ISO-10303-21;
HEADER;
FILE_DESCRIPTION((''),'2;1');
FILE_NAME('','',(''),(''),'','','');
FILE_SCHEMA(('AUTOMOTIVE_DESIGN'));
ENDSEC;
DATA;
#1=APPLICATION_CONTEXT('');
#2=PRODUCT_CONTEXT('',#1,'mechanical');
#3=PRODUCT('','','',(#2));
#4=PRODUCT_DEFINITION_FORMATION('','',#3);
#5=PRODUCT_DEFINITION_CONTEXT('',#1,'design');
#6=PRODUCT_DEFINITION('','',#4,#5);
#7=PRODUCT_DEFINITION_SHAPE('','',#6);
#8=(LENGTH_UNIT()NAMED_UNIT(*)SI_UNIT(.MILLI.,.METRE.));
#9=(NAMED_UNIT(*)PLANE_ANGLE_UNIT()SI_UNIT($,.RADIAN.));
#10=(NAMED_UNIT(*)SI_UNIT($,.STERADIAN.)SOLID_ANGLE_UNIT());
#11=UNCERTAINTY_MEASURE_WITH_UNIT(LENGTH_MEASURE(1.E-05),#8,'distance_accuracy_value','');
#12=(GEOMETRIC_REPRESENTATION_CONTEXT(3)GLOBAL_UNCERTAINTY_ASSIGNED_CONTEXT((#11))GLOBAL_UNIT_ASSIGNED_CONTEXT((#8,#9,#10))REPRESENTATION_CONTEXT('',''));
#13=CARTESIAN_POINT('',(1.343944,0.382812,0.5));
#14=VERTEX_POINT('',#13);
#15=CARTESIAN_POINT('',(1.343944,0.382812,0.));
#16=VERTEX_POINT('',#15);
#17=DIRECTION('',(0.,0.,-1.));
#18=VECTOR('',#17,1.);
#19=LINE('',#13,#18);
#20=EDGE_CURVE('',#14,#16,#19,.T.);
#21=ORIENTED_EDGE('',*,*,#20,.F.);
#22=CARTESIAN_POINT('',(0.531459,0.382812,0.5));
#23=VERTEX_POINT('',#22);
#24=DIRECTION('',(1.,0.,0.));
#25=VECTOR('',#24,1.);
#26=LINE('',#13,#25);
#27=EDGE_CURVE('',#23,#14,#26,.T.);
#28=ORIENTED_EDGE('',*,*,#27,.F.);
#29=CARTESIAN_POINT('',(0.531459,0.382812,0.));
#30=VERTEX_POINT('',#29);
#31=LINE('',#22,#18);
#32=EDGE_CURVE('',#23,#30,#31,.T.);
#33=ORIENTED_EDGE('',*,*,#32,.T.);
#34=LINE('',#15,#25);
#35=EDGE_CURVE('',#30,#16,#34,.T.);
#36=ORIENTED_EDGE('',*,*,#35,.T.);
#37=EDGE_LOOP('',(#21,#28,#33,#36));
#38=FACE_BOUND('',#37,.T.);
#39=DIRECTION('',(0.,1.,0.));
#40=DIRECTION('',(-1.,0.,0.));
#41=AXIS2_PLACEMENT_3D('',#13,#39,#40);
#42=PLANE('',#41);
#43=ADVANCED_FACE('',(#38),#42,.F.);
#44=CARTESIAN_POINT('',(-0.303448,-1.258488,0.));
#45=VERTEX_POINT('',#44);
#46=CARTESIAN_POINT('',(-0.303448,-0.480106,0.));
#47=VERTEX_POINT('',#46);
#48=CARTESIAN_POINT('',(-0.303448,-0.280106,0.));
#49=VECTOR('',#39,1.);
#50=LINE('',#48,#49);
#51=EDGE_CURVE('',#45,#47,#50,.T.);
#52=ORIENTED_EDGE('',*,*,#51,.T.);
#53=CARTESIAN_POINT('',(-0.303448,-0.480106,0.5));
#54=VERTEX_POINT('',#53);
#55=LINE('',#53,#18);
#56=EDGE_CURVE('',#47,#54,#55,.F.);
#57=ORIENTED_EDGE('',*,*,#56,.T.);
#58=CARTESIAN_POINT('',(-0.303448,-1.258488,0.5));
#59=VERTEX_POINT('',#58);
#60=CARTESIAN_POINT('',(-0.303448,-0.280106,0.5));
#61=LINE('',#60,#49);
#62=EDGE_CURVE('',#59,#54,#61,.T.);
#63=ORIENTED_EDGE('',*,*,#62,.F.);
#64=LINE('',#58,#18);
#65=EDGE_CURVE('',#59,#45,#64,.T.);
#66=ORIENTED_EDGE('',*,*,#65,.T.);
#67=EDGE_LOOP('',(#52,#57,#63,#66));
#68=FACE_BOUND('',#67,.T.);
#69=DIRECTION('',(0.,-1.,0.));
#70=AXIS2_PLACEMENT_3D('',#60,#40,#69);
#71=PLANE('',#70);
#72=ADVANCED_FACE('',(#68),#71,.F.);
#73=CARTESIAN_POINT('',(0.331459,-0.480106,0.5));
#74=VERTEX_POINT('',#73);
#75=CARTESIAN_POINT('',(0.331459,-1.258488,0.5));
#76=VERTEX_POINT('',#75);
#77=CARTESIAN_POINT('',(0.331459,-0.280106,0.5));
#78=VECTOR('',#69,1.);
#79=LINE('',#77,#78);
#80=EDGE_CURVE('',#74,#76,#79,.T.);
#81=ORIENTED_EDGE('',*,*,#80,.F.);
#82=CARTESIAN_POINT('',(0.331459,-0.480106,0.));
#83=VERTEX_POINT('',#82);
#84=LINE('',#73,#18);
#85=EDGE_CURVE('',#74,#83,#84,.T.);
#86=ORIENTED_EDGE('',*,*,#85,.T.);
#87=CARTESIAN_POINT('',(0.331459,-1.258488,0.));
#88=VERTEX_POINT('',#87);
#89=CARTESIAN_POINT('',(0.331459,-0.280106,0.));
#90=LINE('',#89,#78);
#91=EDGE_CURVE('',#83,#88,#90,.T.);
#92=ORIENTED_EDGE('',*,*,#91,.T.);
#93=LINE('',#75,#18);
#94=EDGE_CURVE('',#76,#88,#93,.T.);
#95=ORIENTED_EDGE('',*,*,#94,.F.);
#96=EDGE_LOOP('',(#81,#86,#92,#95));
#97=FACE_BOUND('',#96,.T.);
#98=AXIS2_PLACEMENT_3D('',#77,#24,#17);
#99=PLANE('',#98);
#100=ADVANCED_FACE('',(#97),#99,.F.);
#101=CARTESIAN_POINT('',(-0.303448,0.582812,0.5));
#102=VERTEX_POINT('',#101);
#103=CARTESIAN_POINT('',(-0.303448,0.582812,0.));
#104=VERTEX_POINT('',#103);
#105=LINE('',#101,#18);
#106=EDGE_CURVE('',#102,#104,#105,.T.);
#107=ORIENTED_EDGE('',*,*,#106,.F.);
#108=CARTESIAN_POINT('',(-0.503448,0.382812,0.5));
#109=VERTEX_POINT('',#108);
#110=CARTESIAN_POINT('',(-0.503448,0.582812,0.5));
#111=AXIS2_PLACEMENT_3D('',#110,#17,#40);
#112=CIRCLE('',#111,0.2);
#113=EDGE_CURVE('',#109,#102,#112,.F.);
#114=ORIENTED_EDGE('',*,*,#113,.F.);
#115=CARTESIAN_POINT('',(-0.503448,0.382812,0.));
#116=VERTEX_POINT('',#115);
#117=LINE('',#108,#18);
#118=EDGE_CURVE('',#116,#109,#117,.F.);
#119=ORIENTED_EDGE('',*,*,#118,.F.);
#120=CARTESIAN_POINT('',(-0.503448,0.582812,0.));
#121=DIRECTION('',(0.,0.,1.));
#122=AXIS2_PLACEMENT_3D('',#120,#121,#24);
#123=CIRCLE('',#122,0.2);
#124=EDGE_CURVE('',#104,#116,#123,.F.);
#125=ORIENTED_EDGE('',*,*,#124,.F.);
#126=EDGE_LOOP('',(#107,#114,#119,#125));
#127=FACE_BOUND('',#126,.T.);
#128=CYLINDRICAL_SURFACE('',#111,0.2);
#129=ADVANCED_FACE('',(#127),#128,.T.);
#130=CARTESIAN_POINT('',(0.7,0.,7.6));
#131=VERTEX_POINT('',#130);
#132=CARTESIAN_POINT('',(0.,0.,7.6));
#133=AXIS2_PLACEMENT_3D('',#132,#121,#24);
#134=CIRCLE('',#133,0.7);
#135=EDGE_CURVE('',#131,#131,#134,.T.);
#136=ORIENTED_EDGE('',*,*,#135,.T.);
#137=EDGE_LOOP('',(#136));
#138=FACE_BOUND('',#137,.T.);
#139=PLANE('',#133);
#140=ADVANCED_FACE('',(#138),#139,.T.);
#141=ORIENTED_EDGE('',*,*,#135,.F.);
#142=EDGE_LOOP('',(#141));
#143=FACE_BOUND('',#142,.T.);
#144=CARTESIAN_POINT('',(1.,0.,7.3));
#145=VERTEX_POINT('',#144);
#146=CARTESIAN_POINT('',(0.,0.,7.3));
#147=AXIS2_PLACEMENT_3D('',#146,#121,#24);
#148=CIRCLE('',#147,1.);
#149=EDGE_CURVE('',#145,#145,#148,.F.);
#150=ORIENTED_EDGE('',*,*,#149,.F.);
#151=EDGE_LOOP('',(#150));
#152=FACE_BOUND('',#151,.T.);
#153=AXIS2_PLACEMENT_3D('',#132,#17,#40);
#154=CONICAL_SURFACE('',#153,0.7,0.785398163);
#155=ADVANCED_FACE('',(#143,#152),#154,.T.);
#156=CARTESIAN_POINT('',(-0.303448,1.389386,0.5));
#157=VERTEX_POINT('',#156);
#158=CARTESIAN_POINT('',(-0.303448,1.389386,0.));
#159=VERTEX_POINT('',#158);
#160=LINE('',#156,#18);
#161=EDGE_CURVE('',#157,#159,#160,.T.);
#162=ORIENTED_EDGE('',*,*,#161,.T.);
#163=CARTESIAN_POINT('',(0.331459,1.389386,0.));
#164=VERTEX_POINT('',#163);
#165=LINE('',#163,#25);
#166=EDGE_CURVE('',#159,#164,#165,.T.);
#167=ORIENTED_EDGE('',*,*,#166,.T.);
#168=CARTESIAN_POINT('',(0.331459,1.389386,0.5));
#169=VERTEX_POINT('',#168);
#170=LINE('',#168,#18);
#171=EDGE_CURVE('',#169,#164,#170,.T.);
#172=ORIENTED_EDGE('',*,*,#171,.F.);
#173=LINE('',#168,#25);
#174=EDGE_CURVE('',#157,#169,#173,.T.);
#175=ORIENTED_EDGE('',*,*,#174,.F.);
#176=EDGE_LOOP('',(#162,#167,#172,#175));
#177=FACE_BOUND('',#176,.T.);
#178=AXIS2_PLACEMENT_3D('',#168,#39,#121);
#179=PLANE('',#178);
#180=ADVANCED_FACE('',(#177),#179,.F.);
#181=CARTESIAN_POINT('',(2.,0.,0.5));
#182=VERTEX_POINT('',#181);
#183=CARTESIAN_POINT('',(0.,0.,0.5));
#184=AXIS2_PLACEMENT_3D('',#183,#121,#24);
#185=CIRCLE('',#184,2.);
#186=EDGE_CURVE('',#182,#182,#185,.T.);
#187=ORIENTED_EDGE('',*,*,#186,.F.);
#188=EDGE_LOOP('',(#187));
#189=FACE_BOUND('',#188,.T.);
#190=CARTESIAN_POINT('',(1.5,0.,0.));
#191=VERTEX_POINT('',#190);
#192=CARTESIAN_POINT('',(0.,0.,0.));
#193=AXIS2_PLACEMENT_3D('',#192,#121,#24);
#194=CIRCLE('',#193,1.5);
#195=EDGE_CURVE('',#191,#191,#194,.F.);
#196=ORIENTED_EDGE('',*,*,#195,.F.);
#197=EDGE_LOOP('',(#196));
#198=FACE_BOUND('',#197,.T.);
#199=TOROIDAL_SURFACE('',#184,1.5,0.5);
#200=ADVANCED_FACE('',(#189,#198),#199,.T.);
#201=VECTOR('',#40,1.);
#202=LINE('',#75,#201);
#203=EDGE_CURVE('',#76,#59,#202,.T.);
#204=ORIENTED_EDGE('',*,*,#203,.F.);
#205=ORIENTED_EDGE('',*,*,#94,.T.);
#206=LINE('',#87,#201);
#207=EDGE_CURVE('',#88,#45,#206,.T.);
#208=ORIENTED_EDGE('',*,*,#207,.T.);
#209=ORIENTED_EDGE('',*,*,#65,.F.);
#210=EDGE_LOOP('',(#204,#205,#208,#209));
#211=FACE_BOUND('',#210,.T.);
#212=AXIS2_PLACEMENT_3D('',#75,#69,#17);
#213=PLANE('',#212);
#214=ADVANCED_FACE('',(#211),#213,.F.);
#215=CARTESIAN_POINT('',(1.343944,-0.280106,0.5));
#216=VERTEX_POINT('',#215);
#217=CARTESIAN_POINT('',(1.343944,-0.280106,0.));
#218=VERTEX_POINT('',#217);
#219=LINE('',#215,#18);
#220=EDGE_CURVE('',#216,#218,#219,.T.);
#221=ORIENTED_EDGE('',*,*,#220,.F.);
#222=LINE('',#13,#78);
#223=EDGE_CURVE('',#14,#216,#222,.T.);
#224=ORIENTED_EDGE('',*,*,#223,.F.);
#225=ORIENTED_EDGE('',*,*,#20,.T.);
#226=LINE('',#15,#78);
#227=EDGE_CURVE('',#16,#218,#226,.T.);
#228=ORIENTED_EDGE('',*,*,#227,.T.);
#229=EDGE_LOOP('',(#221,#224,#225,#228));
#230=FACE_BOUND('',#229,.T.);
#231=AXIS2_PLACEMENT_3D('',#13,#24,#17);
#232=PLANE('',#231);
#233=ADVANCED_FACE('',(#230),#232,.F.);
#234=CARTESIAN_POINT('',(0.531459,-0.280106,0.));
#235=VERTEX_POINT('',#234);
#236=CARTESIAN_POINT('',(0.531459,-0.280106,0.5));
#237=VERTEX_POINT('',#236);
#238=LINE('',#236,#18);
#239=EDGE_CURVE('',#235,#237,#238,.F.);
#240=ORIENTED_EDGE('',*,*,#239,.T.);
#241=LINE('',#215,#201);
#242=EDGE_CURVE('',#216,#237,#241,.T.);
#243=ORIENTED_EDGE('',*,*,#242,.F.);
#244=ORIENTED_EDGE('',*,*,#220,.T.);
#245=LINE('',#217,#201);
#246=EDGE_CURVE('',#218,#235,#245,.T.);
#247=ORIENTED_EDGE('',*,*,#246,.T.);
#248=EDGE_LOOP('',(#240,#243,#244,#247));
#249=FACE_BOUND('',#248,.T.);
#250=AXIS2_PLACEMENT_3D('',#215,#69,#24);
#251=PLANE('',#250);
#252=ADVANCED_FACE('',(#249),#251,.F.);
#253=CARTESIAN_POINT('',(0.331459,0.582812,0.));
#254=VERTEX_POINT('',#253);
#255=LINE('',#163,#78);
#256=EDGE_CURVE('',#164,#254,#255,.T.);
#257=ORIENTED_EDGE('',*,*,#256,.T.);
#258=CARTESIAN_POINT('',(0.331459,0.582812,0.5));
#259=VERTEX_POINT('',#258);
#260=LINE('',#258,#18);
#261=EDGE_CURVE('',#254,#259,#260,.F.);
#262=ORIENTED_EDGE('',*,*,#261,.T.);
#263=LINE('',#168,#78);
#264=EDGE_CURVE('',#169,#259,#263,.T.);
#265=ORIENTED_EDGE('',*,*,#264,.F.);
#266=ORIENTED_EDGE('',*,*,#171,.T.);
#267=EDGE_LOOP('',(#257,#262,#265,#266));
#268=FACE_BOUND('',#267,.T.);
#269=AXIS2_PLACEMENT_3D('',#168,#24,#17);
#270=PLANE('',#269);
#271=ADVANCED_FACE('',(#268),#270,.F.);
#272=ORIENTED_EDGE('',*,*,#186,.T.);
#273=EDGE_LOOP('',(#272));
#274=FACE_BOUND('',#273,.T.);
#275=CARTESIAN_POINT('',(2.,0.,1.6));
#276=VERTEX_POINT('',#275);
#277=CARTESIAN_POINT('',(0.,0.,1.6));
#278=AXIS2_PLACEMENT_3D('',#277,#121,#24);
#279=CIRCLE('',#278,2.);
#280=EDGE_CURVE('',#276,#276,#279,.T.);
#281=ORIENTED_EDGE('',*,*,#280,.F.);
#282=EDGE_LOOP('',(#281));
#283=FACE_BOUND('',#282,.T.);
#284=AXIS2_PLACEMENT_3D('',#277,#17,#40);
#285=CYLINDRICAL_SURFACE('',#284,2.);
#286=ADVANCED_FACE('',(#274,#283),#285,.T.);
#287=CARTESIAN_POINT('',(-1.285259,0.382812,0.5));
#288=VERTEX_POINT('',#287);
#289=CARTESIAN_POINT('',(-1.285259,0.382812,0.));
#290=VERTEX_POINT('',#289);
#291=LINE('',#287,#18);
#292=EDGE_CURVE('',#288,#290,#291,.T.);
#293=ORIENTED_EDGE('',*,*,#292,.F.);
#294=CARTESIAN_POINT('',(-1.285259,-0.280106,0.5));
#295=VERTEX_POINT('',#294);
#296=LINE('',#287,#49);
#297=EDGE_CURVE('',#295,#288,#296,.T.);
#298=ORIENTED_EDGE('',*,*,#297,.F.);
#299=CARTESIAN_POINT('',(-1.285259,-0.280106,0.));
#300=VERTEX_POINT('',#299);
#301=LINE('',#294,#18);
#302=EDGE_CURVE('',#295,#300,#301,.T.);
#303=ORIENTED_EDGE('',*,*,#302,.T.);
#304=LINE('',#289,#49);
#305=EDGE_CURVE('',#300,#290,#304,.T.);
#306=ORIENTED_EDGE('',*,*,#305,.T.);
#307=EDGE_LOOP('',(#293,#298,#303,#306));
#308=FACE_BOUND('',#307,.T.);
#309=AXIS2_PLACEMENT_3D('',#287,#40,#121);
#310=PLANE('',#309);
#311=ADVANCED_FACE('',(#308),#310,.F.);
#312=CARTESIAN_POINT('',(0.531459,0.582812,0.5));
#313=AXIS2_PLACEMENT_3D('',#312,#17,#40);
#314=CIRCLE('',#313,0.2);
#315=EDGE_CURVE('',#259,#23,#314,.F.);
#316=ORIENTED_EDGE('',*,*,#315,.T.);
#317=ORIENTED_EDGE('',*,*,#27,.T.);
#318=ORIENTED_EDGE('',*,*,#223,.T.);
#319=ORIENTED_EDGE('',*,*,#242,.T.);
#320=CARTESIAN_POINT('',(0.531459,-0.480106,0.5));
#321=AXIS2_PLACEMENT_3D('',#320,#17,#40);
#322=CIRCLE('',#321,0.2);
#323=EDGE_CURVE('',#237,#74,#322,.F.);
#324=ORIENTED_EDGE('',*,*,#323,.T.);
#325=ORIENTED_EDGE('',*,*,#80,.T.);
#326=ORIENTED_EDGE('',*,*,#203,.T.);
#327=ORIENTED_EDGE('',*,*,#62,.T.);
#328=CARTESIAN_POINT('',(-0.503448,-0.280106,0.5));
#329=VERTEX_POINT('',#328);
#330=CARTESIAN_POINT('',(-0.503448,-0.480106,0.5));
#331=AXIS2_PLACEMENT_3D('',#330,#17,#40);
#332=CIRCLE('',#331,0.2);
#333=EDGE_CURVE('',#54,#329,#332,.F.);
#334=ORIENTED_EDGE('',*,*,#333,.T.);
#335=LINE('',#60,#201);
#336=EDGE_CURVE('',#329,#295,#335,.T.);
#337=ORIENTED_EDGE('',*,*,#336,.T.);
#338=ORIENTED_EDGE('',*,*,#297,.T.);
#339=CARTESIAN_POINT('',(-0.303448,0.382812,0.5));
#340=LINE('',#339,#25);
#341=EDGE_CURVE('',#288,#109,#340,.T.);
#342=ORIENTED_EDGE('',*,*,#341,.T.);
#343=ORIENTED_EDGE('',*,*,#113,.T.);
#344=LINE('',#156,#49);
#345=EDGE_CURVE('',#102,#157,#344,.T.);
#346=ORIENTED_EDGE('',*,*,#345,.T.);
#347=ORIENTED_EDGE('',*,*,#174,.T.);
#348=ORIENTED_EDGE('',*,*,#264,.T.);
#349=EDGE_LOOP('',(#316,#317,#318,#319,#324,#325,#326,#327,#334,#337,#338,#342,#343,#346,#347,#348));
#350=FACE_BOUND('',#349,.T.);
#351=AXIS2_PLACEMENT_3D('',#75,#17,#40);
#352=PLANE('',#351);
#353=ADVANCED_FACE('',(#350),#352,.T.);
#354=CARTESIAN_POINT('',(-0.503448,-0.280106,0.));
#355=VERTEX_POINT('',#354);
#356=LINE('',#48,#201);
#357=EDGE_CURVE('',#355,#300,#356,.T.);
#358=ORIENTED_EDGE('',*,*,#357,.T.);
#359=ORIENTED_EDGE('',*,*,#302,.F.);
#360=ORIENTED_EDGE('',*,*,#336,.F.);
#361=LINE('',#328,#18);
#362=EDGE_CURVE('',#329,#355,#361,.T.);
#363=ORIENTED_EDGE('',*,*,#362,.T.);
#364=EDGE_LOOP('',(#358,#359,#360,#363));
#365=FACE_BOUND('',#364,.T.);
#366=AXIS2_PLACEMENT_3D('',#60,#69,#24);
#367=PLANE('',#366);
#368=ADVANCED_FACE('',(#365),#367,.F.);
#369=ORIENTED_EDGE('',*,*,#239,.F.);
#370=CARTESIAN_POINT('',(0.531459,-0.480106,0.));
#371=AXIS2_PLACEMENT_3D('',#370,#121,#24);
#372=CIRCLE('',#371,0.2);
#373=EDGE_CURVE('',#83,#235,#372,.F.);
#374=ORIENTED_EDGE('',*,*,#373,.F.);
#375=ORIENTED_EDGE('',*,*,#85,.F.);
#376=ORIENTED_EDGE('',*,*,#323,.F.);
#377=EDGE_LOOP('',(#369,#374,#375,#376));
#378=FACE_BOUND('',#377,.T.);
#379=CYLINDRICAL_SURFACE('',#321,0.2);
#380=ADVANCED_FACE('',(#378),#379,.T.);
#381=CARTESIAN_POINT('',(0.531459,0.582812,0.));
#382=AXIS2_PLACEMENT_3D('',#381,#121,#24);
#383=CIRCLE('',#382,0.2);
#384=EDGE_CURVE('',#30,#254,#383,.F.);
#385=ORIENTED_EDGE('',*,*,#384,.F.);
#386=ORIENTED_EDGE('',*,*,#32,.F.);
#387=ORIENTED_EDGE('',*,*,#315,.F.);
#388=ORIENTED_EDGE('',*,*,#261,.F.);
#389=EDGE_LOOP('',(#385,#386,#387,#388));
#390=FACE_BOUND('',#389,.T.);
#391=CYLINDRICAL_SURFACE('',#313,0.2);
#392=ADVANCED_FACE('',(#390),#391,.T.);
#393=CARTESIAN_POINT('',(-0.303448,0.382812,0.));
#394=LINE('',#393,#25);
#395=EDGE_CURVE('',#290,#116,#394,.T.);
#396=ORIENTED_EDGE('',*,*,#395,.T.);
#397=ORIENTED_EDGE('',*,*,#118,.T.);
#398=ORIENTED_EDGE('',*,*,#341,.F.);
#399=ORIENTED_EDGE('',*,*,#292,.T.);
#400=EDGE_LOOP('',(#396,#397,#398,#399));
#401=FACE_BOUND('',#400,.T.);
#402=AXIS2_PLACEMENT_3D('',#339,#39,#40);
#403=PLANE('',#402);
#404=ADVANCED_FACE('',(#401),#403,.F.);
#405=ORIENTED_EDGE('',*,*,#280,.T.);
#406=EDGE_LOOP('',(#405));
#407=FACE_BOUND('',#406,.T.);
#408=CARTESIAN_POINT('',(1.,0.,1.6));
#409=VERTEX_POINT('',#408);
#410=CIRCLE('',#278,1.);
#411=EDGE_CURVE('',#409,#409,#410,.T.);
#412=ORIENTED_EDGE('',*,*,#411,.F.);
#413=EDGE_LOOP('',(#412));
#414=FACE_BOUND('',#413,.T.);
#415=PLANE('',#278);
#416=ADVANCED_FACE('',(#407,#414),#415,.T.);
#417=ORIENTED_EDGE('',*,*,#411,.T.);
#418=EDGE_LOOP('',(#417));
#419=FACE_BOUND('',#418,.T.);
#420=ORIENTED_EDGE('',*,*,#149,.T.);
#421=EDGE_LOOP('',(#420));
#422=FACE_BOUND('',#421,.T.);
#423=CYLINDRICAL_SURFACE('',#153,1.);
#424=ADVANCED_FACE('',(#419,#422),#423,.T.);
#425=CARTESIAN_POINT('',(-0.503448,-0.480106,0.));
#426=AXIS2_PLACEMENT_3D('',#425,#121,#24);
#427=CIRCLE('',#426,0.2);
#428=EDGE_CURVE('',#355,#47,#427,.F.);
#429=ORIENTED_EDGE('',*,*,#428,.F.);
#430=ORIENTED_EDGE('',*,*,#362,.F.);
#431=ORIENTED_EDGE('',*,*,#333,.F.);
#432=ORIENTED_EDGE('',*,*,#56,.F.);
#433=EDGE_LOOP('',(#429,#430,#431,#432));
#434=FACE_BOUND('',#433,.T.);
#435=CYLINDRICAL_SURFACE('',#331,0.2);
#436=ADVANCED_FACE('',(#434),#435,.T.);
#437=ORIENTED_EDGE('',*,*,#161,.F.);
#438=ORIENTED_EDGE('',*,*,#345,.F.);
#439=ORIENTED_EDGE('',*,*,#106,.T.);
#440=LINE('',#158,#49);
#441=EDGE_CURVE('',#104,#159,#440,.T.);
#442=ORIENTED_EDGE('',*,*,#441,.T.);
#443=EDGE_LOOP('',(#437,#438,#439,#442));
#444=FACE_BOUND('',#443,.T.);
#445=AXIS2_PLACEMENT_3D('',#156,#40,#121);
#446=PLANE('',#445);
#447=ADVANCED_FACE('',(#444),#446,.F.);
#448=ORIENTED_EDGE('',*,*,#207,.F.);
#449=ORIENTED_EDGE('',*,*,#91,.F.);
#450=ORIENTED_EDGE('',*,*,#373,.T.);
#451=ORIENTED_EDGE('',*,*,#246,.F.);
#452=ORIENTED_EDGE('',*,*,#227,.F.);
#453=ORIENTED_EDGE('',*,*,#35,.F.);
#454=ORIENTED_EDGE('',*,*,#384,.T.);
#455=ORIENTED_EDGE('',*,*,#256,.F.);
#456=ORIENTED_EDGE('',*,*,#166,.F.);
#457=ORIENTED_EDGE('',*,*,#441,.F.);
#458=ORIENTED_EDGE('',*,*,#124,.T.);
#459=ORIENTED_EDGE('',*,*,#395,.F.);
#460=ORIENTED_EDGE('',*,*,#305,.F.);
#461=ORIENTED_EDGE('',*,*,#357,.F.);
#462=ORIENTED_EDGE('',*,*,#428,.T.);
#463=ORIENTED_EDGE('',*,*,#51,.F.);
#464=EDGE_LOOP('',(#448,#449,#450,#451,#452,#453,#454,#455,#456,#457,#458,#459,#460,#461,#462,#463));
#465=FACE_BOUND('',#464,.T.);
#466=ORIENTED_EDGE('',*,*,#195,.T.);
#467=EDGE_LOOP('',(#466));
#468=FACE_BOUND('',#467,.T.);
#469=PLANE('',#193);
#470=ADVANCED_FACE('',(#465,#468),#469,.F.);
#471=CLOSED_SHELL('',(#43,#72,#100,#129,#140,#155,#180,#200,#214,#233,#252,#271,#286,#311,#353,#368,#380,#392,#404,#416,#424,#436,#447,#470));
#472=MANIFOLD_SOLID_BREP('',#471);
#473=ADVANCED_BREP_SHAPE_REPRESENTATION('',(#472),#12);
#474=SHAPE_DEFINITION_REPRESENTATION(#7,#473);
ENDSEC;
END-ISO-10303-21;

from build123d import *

# Parameters (mm, degrees)
SKETCH1_R          = 2
EXTRUDE1_DEPTH     = 1.6
SKETCH2_R          = 1
EXTRUDE2_DEPTH     = 6
CUT_EXTRUDE1_DEPTH = 0.5
FILLET1_R          = 0.2
CHAMFER1_SIZE      = 0.3
FILLET2_R          = 0.5


with BuildPart() as part:
    # Sketch1 → Extrude1 (new body)
    with BuildSketch(Plane.XY):
        Circle(SKETCH1_R)
    extrude(amount=EXTRUDE1_DEPTH)

    # Sketch2 → Extrude2 (add)
    with BuildSketch(Plane.XY.offset(1.6)):
        Circle(SKETCH2_R)
    extrude(amount=EXTRUDE2_DEPTH)

    # Sketch3 → Cut-Extrude1 (cut)
    with BuildSketch(Plane(origin=(0, 0, 0), x_dir=(-1, 0, 0), z_dir=(0, 0, -1))):
        Polygon((0.303448276, -0.280106101), (0.303448276, -1.258487543), (-0.331458886, -1.258487543), (-0.331458886, -0.280106101), (-1.343944387, -0.280106101), (-1.343944387, 0.382811671), (-0.331458886, 0.382811671), (-0.331458886, 1.389386448), (0.303448276, 1.389386448), (0.303448276, 0.382811671), (1.285259033, 0.382811671), (1.285259033, -0.280106101), align=None)
    extrude(amount=-CUT_EXTRUDE1_DEPTH, mode=Mode.SUBTRACT)

    # Fillet1
    fillet1_edges = [part.edges().sort_by_distance(p)[0] for p in [
        (0.331458886, 0.382811671, 0.25),
        (-0.303448276, 0.382811671, 0.25),
        (-0.303448276, -0.280106101, 0.25),
        (0.331458886, -0.280106101, 0.25),
    ]]
    fillet(fillet1_edges, radius=FILLET1_R)

    # Chamfer1
    chamfer1_edges = [part.edges().sort_by_distance(p)[0] for p in [
        (-1, 0, 7.6),
    ]]
    chamfer(chamfer1_edges, length=CHAMFER1_SIZE)

    # Fillet2
    fillet2_edges = [part.edges().sort_by_distance(p)[0] for p in [
        (-2, 0, 0),
    ]]
    fillet(fillet2_edges, radius=FILLET2_R)


solid = part.part
